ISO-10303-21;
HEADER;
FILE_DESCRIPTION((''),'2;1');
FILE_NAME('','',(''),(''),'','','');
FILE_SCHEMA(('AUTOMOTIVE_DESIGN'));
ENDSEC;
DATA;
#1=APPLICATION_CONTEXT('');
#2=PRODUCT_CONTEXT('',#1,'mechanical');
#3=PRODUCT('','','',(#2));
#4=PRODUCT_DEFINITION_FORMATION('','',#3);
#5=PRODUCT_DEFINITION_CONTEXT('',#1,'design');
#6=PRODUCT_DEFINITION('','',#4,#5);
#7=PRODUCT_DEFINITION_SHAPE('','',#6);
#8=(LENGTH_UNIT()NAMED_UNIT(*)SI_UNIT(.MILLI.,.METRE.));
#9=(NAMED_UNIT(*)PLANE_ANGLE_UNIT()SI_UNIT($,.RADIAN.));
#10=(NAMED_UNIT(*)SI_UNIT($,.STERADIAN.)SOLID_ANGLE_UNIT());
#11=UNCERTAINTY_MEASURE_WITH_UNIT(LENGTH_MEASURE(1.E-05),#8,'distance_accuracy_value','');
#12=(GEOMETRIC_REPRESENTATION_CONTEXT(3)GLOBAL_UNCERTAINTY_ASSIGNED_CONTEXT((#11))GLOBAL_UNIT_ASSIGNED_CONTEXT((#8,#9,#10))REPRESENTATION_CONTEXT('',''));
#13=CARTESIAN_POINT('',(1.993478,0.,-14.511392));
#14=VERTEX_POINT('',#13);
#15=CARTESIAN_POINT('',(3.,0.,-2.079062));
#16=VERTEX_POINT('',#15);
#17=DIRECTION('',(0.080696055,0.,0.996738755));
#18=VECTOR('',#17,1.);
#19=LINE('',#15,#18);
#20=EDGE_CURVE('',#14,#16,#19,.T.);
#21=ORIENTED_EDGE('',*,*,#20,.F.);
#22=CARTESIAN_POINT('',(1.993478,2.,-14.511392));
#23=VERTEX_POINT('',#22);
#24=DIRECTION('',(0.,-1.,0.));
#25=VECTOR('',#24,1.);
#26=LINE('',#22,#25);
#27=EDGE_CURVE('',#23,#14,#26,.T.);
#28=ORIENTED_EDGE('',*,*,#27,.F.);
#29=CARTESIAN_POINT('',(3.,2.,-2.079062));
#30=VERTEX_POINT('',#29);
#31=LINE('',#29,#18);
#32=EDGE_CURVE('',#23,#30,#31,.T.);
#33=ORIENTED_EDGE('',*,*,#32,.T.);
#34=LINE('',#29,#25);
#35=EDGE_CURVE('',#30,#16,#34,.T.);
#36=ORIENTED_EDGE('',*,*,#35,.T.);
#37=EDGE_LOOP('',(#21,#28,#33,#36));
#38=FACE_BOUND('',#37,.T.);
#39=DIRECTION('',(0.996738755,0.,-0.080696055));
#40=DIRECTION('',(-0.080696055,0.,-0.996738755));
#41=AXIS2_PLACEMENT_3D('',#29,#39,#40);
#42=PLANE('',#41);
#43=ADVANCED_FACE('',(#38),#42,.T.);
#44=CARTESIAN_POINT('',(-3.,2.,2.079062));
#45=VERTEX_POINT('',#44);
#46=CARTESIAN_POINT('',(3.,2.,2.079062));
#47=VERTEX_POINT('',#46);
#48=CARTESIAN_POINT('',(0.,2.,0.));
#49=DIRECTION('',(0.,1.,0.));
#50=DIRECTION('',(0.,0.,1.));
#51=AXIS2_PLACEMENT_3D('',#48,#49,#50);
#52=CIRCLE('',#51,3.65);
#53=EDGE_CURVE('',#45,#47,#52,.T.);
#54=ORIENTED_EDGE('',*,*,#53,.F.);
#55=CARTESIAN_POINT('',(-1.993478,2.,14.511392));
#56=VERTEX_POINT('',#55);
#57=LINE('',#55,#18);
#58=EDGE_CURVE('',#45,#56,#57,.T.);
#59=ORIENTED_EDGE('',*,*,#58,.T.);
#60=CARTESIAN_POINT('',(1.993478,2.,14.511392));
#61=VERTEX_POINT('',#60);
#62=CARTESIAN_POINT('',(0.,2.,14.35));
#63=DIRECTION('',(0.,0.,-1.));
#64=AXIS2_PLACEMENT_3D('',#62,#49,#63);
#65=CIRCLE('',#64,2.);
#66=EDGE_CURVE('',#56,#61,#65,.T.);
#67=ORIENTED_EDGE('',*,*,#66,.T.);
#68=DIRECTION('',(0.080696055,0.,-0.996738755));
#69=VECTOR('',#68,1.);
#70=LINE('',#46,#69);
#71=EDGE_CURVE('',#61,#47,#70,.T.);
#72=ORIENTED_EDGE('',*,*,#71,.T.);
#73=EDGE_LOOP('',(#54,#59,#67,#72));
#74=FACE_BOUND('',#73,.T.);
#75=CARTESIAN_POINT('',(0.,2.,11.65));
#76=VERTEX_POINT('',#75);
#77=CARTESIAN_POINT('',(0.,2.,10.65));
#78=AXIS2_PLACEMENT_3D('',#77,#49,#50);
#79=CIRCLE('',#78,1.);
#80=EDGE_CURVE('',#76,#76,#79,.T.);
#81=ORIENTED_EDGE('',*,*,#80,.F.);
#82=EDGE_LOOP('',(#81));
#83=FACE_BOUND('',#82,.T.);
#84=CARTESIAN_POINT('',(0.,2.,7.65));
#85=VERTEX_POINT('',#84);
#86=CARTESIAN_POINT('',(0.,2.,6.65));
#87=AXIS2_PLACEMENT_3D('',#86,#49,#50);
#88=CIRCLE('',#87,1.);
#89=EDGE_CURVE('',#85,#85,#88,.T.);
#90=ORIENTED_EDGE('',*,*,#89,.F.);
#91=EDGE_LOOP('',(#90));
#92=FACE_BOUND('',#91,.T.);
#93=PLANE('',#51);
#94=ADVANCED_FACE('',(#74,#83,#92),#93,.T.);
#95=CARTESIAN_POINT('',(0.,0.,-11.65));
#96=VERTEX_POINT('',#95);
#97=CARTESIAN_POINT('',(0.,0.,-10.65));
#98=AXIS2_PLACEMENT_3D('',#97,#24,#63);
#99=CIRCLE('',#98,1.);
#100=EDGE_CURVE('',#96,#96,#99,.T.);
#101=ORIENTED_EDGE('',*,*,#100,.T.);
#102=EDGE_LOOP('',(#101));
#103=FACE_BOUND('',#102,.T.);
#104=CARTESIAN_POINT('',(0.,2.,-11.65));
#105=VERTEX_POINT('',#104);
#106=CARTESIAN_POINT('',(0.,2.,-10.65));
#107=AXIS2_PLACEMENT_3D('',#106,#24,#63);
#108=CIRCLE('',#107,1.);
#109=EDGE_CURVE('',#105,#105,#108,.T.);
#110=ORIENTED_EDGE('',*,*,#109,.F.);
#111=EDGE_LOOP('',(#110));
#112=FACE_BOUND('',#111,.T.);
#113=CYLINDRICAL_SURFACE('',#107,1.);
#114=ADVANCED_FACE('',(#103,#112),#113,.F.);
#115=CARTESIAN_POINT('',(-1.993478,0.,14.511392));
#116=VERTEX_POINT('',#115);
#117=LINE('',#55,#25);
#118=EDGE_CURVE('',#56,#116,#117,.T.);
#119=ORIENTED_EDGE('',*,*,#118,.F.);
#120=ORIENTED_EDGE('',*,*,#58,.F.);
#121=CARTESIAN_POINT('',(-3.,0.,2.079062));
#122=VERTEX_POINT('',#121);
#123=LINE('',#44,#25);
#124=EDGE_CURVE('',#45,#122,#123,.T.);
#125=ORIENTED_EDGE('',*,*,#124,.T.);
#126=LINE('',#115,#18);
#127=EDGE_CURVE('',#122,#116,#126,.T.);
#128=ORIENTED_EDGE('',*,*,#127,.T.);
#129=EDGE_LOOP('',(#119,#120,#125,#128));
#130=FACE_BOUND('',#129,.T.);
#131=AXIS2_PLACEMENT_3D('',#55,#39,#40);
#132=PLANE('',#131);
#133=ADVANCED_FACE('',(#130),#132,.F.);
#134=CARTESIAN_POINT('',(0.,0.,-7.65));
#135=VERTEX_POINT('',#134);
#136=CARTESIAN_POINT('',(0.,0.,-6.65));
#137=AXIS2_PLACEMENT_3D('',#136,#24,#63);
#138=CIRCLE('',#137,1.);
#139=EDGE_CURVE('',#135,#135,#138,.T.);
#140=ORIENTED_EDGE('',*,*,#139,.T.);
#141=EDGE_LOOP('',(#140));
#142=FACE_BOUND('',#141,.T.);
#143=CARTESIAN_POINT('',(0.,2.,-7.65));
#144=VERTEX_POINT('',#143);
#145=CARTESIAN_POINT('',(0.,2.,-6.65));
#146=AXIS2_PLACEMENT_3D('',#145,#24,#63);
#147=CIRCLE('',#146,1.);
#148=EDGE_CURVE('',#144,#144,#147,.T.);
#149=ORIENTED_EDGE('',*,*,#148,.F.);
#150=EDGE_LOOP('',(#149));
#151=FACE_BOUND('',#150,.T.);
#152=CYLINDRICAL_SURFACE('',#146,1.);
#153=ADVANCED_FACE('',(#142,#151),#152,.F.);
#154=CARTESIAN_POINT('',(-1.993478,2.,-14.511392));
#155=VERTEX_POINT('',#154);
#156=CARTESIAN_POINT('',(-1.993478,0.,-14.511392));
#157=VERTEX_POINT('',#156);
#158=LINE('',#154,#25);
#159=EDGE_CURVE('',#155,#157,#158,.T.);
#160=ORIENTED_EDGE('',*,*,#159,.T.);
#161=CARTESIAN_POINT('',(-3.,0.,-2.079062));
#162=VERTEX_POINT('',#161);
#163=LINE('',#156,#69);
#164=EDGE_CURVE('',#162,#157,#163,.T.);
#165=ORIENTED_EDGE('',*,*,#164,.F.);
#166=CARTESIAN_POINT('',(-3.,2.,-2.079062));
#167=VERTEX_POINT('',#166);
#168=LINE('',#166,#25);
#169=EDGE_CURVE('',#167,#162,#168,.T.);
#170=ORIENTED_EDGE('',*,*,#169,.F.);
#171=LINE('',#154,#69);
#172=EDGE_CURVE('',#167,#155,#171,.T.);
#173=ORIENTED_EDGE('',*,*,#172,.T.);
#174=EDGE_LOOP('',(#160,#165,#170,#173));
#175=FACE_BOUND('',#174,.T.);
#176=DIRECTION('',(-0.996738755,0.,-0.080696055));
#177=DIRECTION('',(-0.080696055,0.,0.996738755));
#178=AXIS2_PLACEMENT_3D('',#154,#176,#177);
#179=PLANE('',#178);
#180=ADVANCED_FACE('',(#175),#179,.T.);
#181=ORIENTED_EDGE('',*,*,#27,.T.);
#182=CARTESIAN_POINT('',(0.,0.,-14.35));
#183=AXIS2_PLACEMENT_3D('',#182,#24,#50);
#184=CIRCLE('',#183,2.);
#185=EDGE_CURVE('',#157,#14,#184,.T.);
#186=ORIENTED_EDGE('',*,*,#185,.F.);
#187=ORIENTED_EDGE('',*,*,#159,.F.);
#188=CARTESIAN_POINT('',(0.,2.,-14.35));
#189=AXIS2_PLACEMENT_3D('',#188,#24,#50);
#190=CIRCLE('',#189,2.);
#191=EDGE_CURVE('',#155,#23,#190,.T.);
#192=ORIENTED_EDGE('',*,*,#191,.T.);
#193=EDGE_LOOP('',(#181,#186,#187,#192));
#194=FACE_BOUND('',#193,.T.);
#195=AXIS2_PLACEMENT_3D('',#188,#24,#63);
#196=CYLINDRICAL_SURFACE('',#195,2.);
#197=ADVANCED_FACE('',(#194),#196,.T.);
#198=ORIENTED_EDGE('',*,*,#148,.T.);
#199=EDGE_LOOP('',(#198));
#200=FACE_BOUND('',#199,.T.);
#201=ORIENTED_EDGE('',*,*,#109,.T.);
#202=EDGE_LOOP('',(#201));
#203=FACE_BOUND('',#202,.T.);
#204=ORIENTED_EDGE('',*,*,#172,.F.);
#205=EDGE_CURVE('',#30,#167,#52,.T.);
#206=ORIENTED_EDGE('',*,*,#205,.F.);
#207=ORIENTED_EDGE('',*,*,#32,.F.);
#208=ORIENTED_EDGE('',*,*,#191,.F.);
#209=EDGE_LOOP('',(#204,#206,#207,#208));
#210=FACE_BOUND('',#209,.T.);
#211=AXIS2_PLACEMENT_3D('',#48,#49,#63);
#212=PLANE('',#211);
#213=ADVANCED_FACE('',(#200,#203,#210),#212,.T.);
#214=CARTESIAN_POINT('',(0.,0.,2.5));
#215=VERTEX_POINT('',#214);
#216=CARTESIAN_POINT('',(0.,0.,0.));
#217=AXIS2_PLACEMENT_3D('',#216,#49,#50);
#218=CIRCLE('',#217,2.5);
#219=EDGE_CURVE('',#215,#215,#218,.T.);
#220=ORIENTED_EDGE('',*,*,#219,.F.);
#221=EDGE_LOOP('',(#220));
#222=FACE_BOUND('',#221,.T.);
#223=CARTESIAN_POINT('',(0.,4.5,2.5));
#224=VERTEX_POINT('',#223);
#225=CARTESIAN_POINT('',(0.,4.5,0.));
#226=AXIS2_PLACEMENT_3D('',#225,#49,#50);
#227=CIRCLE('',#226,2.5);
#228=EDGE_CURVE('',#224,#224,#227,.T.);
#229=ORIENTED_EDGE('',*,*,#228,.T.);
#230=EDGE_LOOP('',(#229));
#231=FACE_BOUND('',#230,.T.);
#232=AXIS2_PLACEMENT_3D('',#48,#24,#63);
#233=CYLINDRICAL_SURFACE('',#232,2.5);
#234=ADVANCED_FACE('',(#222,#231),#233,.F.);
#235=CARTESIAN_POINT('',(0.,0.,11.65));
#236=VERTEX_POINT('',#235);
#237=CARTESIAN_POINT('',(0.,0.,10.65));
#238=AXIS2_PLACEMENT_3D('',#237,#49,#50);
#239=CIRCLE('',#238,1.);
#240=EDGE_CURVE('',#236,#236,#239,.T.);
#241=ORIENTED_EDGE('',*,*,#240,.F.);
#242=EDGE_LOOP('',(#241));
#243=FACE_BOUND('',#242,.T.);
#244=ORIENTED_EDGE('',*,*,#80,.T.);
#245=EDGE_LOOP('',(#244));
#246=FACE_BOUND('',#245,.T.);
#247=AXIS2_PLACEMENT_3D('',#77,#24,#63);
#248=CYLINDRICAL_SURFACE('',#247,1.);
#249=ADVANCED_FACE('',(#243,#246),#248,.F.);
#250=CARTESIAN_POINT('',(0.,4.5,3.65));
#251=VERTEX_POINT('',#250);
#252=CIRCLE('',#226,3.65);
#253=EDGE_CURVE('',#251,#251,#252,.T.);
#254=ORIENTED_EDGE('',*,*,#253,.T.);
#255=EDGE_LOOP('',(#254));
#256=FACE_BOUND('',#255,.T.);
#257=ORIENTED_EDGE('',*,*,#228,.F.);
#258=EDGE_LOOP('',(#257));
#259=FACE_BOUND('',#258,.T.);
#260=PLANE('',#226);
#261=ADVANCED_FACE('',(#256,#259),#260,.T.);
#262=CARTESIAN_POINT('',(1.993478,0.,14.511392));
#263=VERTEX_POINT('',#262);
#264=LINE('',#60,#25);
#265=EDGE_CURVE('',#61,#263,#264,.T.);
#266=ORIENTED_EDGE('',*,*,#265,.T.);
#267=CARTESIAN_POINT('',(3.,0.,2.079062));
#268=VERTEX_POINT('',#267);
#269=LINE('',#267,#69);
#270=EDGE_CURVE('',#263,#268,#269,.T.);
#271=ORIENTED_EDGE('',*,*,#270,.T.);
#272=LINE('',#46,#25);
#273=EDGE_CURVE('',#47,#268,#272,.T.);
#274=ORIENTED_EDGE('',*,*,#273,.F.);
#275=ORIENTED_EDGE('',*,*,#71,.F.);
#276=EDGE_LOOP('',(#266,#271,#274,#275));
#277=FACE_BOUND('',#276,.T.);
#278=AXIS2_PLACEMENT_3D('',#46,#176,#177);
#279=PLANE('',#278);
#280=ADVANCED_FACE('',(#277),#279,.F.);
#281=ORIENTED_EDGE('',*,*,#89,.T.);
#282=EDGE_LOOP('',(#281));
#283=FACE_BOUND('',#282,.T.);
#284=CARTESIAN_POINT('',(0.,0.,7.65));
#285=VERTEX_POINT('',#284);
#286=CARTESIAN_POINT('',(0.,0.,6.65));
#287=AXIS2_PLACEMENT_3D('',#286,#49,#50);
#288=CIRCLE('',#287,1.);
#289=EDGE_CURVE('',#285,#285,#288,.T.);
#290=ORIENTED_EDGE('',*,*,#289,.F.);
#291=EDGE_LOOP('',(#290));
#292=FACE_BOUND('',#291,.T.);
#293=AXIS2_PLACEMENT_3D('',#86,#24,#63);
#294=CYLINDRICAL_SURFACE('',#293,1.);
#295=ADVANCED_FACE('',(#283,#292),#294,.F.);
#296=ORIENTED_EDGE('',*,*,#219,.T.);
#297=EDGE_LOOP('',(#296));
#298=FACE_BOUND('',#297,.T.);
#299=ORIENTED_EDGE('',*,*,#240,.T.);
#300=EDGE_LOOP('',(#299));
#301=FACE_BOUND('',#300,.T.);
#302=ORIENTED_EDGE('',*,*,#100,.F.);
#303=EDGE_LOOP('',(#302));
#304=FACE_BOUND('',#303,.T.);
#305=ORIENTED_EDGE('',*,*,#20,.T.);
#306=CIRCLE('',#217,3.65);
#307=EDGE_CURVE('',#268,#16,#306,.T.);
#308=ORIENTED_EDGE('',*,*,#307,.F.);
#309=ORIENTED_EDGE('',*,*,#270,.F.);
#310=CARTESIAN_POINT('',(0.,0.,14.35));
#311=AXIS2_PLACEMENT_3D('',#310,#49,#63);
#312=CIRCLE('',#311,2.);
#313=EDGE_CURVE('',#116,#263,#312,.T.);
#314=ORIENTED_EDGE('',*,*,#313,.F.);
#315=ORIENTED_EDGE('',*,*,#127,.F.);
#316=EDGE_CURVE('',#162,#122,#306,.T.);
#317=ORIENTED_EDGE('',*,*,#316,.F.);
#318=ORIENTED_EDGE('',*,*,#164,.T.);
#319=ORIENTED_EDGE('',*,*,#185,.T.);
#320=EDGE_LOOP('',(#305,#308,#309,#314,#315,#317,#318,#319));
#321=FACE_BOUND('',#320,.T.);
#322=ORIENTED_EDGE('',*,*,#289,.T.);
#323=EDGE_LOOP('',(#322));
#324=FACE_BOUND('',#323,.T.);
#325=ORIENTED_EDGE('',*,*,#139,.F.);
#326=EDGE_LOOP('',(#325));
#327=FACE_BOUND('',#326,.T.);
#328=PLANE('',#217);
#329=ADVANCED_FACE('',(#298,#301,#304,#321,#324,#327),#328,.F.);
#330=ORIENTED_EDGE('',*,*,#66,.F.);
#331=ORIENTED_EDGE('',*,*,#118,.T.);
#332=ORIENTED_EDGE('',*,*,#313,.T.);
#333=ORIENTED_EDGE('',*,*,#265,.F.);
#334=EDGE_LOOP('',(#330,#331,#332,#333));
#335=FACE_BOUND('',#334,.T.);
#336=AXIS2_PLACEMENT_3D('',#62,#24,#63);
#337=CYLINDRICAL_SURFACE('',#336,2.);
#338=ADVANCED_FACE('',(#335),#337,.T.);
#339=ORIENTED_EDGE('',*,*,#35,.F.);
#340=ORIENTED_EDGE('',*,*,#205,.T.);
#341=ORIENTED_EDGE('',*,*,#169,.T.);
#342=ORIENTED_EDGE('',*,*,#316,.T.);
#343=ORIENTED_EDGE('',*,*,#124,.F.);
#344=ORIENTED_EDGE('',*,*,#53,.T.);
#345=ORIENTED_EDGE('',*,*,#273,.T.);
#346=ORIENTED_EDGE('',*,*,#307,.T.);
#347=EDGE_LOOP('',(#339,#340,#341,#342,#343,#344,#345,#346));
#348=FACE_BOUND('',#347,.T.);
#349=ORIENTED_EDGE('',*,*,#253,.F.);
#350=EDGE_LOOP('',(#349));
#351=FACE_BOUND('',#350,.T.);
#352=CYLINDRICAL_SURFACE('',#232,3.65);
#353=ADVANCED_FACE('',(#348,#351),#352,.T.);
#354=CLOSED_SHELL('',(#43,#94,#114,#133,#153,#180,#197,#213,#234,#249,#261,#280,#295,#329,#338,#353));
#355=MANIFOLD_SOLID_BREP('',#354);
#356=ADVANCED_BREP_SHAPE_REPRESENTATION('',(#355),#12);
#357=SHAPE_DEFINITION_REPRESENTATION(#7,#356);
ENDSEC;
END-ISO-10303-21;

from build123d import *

# Parameters (mm, degrees)
SKETCH1_R           = 1
SKETCH1_R_2         = 2.5
BOSS_EXTRUDE1_DEPTH = 2
SKETCH2_R           = 3.65
SKETCH2_R_2         = 2.5
BOSS_EXTRUDE2_DEPTH = 2.5


with BuildPart() as part:
    # Sketch1 → Boss-Extrude1 (new body)
    with BuildSketch(Plane(origin=(0, 0, 0), x_dir=(1, 0, 0), z_dir=(0, 1, 0))):
        with BuildLine():
            Line((3, -2.079062289), (1.993477511, -14.51139211))
            ThreePointArc((1.993477511, -14.51139211), (0, -16.35), (-1.993477511, -14.51139211))
            Line((-1.993477511, -14.51139211), (-3, -2.079062289))
            ThreePointArc((-3, -2.079062289), (0, 3.65), (3, -2.079062289))
        make_face()
        with Locations((0, -6.65)):
            Circle(SKETCH1_R, mode=Mode.SUBTRACT)
        with Locations((0, -10.65)):
            Circle(SKETCH1_R, mode=Mode.SUBTRACT)
        Circle(SKETCH1_R_2, mode=Mode.SUBTRACT)
    boss_extrude1 = extrude(amount=BOSS_EXTRUDE1_DEPTH)

    # Sketch2 → Boss-Extrude2 (add)
    with BuildSketch(Plane(origin=(0, 2, 0), x_dir=(1, 0, 0), z_dir=(0, 1, 0))):
        Circle(SKETCH2_R)
        Circle(SKETCH2_R_2, mode=Mode.SUBTRACT)
    boss_extrude2 = extrude(amount=BOSS_EXTRUDE2_DEPTH)

    # Mirror1: Boss-Extrude1, Boss-Extrude2 across plane
    add(boss_extrude1.mirror(Plane.XY))
    add(boss_extrude2.mirror(Plane.XY))


solid = part.part
